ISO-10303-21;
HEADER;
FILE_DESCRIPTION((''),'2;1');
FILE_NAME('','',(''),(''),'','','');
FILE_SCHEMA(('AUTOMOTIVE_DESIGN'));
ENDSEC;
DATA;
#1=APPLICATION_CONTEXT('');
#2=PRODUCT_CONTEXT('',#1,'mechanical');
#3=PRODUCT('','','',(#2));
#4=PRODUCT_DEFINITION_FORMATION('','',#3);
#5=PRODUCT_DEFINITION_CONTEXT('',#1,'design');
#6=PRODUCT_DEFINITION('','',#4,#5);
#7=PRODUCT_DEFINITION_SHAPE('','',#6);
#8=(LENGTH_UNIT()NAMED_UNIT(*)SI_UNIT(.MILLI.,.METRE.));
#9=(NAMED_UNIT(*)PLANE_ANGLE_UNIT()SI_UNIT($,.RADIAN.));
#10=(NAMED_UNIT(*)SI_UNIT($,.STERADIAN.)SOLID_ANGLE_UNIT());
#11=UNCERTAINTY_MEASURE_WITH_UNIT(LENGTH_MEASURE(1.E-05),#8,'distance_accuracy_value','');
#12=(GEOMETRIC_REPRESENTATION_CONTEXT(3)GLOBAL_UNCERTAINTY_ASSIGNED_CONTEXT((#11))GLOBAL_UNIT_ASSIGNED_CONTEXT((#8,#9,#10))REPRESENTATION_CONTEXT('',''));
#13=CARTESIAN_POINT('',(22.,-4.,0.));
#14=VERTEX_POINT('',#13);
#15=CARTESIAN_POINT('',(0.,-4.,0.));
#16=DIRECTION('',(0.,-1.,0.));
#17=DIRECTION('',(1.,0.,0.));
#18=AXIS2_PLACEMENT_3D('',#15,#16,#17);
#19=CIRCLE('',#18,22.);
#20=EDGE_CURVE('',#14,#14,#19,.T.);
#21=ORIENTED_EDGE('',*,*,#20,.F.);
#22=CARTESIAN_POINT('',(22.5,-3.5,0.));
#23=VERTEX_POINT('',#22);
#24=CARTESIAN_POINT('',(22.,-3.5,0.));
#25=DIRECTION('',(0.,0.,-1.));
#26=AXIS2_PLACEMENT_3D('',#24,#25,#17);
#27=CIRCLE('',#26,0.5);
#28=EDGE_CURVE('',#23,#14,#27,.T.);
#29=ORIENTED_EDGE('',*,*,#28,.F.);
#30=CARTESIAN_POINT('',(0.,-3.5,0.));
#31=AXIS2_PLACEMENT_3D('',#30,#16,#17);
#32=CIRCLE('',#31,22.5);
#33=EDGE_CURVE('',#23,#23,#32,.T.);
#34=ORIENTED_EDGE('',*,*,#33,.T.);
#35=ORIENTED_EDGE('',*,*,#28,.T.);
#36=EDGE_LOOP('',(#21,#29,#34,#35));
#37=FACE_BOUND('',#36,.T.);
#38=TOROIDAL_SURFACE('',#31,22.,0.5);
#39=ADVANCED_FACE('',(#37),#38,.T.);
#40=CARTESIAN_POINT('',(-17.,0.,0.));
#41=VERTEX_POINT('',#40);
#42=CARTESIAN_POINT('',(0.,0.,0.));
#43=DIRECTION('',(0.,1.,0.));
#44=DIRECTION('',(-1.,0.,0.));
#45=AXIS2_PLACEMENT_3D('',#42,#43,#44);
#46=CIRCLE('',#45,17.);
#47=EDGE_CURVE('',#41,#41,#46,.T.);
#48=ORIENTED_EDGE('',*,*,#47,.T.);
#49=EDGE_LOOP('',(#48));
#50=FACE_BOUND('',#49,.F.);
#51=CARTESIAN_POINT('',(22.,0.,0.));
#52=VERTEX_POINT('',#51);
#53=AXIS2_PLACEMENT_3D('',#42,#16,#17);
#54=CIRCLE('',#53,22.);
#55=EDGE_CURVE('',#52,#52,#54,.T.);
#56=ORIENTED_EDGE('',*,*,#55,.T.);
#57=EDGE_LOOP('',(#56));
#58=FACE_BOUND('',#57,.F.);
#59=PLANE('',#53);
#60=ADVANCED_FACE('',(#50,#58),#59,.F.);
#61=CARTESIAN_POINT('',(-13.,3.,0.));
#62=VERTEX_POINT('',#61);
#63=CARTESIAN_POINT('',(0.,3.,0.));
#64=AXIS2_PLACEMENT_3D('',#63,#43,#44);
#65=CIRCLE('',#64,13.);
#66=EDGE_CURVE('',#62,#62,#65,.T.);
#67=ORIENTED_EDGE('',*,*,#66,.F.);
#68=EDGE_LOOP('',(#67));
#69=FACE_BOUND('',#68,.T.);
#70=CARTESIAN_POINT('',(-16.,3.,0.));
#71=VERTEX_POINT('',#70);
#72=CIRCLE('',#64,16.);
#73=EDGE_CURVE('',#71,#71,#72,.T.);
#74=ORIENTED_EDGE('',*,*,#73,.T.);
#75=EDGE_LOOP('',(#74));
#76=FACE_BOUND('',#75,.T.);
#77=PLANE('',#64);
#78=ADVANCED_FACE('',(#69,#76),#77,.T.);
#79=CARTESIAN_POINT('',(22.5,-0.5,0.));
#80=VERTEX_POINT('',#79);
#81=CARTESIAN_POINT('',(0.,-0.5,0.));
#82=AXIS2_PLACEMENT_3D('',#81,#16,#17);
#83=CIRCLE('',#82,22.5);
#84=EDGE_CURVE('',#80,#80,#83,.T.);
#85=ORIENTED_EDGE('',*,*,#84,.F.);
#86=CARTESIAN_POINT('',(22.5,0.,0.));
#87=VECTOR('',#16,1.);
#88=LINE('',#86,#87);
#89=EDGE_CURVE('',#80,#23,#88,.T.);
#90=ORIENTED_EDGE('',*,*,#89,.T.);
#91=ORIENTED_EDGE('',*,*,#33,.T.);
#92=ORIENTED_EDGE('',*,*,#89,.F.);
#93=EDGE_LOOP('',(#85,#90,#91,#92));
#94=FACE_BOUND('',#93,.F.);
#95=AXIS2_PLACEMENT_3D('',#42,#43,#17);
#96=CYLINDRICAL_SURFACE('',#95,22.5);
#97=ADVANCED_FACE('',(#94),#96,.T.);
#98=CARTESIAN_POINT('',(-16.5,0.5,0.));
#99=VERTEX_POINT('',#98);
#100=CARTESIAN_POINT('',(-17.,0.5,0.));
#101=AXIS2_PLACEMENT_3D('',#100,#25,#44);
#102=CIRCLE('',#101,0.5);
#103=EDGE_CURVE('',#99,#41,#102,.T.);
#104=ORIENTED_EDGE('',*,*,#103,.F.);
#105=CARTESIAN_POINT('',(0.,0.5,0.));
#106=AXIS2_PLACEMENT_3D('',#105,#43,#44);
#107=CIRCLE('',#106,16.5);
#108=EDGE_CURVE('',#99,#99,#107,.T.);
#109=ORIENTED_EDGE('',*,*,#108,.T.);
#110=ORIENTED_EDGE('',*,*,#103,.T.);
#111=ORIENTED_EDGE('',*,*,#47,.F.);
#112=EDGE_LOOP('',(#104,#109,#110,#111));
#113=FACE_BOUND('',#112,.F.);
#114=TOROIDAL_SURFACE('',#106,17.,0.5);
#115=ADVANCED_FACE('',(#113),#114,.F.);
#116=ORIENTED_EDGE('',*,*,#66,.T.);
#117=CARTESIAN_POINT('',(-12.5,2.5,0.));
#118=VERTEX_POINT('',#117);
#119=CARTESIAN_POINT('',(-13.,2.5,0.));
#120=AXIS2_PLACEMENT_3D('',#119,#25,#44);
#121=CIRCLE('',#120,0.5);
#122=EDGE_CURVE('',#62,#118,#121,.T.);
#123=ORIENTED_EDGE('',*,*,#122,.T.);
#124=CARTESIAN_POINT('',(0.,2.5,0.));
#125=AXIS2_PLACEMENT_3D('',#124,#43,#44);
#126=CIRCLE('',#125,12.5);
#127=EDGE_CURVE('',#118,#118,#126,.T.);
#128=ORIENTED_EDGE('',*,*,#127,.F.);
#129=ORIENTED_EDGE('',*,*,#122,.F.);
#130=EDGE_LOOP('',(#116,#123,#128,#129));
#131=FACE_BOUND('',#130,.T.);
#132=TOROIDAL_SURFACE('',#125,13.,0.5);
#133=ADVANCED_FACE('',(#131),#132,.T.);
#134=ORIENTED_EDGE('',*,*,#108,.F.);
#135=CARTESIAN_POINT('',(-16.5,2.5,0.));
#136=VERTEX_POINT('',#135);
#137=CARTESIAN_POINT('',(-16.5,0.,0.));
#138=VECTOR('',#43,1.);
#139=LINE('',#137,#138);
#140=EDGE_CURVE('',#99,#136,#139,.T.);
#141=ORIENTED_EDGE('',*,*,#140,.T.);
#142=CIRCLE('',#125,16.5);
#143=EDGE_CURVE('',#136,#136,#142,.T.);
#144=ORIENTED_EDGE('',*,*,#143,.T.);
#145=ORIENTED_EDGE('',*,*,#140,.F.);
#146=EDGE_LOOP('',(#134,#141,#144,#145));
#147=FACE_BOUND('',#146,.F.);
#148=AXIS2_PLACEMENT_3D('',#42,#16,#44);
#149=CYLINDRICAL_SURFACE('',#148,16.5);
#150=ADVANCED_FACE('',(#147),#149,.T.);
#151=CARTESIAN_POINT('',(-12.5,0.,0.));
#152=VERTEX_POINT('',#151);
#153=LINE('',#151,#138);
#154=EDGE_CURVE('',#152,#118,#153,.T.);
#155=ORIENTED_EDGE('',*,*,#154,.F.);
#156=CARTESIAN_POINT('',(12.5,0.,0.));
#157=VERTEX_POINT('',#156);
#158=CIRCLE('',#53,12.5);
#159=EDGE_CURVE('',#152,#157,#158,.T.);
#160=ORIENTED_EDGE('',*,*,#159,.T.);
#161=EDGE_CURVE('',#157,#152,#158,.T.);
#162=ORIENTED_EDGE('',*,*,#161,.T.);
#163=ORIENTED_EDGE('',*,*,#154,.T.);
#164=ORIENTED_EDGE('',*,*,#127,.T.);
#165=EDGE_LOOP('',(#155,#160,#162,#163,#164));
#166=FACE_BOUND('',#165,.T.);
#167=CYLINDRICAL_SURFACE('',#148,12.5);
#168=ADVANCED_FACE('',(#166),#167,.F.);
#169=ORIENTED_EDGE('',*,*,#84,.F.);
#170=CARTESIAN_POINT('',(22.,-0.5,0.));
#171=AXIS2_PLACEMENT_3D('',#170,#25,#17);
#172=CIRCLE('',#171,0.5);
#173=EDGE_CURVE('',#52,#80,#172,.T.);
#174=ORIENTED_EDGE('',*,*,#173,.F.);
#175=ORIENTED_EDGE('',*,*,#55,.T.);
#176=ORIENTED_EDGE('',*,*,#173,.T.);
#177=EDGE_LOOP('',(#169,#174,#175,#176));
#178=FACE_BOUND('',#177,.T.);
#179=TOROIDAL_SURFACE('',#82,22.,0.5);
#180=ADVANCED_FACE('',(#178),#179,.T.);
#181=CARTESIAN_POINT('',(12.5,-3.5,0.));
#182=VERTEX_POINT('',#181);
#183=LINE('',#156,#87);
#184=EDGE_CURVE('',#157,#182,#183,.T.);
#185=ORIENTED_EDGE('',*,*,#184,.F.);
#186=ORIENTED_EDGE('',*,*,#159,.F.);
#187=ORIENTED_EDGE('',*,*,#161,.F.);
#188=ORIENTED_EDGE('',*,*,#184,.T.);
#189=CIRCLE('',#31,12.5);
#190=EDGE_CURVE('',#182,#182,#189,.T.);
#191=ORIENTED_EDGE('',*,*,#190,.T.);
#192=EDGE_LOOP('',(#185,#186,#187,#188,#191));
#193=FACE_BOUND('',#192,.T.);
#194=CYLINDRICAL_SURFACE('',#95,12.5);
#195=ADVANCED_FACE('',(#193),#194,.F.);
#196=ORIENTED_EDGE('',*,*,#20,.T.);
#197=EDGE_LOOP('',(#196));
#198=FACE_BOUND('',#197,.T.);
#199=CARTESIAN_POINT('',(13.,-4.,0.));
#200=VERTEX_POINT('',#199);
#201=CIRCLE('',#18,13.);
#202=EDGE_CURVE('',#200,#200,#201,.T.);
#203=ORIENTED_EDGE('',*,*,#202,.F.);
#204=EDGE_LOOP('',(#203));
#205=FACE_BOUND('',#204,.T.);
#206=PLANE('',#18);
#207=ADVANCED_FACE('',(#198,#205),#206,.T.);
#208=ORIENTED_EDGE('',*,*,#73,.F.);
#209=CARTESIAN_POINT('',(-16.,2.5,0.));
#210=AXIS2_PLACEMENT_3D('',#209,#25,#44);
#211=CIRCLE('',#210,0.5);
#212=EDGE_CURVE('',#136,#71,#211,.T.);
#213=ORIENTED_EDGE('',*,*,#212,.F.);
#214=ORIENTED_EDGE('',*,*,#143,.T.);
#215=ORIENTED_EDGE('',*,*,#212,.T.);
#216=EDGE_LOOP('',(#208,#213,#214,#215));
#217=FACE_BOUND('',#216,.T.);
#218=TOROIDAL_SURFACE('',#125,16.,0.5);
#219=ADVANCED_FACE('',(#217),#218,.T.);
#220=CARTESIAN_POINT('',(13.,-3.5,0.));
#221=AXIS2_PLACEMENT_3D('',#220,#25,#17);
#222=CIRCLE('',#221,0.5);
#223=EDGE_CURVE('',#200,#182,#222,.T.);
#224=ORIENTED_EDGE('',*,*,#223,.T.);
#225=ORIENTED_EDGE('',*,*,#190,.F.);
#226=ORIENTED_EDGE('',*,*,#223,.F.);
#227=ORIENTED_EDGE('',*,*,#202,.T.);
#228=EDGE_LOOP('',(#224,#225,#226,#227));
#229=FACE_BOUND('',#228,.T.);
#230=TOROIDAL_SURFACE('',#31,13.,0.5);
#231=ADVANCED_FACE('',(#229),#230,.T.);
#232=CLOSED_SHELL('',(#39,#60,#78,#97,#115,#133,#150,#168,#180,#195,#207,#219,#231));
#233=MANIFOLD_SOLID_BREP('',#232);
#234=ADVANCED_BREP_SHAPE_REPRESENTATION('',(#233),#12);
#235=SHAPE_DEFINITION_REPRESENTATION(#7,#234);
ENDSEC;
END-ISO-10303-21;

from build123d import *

# Parameters (mm, degrees)
F0_R     = 22.5
F0_R_2   = 12.5
F1_DEPTH = 4
F2_R     = 16.5
F2_R_2   = 12.5
F3_DEPTH = 3
F4_R     = 0.5
F5_R     = 0.5


with BuildPart() as f1:
    # F0 (on Front) → F1 (new body)
    with BuildSketch(Plane.XZ):
        Circle(F0_R)
        Circle(F0_R_2, mode=Mode.SUBTRACT)
    extrude(amount=F1_DEPTH)

    # F2 (on face) → F3 (join)
    with BuildSketch(Plane(origin=(0, 0, 0), x_dir=(-1, 0, 0), z_dir=(0, 1, 0))):
        Circle(F2_R)
        Circle(F2_R_2, mode=Mode.SUBTRACT)
    extrude(amount=F3_DEPTH)

    # F4
    f4_edges = [f1.edges().sort_by_distance(p)[0] for p in [
        (-22.5, -4, 0),
        (-12.5, -4, 0),
        (-22.5, 0, 0),
        (16.5, 0, 0),
        (16.5, 3, 0),
    ]]
    fillet(f4_edges, radius=F4_R)

    # F5
    f5_edges = [f1.edges().sort_by_distance(p)[0] for p in [
        (12.5, 3, 0),
    ]]
    fillet(f5_edges, radius=F5_R)


solid = f1.part
